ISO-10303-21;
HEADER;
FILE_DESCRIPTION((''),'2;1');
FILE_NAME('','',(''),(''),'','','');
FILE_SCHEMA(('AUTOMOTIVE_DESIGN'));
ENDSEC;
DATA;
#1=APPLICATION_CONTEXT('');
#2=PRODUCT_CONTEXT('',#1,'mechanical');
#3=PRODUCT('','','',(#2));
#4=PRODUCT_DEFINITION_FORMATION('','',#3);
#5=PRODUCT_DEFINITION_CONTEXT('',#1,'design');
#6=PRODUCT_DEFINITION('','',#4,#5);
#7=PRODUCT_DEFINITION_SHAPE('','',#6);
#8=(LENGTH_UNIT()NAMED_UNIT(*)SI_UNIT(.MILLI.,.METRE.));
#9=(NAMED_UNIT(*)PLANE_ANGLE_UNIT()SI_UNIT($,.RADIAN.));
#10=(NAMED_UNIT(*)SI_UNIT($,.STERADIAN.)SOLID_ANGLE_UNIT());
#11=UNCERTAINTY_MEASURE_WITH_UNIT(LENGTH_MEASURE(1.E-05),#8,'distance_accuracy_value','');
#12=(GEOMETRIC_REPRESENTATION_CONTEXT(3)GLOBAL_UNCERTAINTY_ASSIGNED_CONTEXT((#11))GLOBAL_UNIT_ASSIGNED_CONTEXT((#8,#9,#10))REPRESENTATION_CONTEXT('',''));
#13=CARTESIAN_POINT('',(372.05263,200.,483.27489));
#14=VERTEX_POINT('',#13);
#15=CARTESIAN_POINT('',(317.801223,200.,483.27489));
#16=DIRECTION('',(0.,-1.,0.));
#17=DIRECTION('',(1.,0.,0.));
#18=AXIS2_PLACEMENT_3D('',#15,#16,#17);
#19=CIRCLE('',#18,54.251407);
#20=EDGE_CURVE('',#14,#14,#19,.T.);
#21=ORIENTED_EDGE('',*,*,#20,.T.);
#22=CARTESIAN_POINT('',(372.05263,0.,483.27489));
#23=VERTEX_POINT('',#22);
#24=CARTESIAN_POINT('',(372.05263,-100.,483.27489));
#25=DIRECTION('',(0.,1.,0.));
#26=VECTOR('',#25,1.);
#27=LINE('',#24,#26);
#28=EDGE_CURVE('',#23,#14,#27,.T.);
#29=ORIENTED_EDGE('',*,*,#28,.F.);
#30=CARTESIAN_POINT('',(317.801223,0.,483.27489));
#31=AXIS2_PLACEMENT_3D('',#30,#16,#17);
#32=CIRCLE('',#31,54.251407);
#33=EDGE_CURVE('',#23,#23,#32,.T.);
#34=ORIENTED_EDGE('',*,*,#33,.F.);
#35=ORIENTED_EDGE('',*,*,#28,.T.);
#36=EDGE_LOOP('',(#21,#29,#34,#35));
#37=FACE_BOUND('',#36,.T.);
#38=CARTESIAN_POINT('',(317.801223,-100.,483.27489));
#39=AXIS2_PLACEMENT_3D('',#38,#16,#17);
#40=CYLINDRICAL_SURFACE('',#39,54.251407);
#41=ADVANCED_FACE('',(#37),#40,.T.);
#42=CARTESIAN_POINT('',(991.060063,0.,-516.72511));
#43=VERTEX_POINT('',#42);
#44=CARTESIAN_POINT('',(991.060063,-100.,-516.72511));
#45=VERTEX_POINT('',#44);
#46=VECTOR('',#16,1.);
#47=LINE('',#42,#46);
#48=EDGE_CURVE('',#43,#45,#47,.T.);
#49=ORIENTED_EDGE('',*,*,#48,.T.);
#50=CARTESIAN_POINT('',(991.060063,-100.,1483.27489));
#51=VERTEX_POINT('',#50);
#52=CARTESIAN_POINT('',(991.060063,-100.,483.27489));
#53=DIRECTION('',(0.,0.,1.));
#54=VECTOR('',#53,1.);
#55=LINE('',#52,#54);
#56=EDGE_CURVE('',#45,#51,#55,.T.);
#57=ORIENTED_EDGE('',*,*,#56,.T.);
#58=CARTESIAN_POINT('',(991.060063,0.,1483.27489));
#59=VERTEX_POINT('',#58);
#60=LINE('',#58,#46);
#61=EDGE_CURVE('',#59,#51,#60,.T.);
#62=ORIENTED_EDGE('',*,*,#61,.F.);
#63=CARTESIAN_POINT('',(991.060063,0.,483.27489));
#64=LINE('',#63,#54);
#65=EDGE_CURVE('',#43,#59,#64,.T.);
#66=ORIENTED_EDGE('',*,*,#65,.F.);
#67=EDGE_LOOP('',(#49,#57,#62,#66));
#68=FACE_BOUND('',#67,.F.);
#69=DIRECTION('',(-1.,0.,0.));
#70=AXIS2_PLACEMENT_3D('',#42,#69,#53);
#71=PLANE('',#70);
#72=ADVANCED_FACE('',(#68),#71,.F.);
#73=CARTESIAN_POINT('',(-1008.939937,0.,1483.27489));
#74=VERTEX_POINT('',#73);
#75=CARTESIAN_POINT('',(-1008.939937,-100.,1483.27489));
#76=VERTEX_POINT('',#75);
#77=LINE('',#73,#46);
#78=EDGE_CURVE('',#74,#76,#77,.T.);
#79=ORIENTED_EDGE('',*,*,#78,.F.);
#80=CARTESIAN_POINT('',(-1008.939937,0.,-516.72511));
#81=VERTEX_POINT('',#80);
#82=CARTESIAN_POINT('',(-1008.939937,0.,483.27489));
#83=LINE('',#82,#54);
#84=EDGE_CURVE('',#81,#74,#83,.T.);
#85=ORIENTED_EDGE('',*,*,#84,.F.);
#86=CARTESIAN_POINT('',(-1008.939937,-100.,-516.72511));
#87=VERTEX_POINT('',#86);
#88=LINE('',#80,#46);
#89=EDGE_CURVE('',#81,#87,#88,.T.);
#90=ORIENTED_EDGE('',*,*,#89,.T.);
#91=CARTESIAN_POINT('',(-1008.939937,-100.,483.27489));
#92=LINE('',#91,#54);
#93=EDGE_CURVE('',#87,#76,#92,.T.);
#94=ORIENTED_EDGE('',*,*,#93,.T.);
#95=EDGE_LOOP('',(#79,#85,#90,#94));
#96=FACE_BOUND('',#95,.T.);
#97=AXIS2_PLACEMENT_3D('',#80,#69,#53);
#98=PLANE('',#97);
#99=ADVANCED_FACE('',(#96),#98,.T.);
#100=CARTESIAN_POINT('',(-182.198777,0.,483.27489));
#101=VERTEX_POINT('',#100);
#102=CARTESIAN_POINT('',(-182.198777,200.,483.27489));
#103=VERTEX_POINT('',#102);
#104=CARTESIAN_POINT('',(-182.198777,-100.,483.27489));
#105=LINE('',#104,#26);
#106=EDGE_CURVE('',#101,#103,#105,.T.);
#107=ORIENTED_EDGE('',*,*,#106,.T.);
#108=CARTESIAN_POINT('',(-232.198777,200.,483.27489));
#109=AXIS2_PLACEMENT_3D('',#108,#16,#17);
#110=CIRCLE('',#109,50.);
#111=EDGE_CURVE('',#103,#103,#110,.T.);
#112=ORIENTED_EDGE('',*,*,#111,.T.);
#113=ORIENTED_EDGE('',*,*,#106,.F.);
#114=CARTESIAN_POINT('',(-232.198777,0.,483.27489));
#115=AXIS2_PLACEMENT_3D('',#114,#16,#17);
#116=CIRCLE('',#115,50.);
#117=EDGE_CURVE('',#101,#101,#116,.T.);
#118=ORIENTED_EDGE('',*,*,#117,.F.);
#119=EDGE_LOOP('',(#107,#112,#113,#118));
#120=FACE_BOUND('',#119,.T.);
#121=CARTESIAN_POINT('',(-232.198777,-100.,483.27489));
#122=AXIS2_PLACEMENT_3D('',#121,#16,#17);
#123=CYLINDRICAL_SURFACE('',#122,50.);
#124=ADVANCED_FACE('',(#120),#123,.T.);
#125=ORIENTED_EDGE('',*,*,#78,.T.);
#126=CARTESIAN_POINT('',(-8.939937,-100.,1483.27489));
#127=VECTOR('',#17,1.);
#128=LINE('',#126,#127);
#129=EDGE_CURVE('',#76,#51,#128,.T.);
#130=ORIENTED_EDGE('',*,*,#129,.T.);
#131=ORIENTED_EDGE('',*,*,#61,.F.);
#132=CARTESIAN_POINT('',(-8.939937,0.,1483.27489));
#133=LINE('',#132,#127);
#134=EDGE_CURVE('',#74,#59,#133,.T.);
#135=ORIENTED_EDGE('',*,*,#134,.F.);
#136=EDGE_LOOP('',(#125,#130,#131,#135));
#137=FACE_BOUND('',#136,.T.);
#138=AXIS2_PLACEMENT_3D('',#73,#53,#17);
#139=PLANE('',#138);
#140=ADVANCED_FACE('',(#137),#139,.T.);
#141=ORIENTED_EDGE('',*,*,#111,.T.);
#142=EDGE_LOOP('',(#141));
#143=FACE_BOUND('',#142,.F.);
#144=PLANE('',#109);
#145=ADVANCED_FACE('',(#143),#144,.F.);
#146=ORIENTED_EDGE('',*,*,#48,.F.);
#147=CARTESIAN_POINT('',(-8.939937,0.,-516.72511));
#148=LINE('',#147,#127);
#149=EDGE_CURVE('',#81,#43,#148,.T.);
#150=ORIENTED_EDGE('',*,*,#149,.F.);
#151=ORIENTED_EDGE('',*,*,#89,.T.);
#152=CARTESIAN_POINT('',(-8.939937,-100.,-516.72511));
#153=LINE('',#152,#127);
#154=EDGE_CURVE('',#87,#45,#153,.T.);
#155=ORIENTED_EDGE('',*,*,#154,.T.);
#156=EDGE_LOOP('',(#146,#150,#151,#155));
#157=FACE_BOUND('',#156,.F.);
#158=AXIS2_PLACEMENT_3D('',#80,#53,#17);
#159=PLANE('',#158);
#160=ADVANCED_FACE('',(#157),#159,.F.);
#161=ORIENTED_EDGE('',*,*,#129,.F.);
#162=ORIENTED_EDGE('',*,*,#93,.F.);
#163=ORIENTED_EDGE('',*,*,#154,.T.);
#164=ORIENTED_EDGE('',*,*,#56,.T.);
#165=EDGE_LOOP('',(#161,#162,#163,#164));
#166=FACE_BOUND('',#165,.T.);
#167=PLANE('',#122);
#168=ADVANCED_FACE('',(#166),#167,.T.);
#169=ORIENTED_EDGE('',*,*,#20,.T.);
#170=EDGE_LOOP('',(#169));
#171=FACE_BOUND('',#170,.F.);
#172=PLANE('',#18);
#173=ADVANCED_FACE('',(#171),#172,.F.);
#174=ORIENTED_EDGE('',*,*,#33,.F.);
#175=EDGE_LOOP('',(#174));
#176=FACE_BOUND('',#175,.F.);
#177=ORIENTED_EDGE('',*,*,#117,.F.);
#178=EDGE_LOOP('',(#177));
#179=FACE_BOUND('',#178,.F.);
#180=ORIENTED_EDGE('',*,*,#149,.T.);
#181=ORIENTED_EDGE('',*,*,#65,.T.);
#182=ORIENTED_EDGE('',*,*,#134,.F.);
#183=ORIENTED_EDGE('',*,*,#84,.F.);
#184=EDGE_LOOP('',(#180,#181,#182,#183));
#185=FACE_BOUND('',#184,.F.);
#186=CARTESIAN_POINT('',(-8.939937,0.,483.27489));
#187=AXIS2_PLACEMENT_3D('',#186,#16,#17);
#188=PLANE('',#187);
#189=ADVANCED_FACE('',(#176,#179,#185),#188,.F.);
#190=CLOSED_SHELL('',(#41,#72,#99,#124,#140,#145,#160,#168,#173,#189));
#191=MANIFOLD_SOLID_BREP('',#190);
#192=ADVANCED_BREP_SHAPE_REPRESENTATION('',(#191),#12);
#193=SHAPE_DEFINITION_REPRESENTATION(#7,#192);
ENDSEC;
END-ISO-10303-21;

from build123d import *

# Parameters (mm, degrees)
F0_W     = 2000
F0_H     = 2000
F1_DEPTH = 100
F2_R     = 50
F2_R_2   = 54.251407
F3_DEPTH = 300


with BuildPart() as f1:
    # F0 (on Front) → F1 (new body)
    with BuildSketch(Plane.XZ):
        with Locations((-8.939937, 483.27489)):
            Rectangle(F0_W, F0_H)
    extrude(amount=F1_DEPTH)

    # F2 (on face) → F3 (join)
    with BuildSketch(Plane.XZ.offset(100)):
        with Locations((-232.198777, 483.27489)):
            Circle(F2_R)
        with Locations((317.801223, 483.27489)):
            Circle(F2_R_2)
    extrude(amount=-F3_DEPTH)


solid = f1.part
